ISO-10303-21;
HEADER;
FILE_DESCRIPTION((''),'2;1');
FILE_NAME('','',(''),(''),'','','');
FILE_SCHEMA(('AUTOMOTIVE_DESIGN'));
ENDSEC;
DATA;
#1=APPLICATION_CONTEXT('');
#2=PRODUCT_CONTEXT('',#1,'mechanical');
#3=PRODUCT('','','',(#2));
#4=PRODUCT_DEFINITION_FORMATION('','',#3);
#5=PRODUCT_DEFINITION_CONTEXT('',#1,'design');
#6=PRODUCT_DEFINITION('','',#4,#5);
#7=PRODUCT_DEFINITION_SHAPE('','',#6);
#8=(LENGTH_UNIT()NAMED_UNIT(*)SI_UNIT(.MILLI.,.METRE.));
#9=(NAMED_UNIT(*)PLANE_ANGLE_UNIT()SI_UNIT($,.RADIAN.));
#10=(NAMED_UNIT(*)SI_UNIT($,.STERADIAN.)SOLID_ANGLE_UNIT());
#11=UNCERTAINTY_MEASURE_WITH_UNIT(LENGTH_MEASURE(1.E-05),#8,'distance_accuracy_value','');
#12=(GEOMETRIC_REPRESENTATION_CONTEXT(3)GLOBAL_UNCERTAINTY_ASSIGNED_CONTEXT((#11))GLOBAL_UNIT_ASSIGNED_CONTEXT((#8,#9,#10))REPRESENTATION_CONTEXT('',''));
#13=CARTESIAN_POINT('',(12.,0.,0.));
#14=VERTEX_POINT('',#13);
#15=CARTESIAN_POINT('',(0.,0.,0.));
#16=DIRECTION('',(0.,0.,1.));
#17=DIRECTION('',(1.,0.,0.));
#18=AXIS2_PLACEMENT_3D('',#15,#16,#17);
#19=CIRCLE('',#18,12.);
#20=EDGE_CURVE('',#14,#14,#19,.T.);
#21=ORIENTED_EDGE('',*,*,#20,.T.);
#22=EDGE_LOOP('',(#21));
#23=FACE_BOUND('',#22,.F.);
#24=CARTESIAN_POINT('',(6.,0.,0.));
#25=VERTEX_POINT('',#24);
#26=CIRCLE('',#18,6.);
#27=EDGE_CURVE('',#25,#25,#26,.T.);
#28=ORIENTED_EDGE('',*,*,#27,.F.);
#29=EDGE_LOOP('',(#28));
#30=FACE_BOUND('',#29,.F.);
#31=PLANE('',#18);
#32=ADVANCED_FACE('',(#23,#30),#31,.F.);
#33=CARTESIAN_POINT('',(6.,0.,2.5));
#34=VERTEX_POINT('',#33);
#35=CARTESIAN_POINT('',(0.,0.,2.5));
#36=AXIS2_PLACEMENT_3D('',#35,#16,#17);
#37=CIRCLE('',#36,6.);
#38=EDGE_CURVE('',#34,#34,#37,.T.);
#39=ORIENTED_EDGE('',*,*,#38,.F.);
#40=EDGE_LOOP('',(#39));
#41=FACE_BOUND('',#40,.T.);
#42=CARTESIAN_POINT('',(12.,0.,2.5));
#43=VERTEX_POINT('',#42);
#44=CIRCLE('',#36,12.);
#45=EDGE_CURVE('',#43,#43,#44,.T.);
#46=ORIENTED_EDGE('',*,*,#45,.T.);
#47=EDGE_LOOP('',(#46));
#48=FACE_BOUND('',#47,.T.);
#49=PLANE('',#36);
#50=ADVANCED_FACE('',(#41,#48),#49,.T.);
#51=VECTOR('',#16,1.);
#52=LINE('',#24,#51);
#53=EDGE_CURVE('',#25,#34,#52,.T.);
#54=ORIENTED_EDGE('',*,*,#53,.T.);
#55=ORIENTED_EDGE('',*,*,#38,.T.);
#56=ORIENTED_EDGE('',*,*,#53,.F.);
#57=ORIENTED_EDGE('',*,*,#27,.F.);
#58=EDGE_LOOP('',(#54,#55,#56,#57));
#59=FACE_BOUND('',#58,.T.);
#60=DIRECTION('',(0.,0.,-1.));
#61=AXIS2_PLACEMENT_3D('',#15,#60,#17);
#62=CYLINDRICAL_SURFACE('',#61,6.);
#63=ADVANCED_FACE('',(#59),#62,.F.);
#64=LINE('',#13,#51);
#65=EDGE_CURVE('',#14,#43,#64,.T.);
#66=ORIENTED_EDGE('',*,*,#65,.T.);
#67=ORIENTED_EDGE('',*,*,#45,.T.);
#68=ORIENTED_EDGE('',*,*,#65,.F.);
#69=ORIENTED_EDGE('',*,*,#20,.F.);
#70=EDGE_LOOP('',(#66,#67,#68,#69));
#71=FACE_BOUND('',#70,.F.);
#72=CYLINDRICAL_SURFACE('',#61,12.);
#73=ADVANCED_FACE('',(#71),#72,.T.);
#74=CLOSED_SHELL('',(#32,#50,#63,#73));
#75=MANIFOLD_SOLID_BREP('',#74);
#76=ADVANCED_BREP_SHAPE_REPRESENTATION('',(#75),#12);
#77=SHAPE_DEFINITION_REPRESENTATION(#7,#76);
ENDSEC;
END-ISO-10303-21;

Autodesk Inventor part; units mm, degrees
ref_plane "YZ Plane" through (0, 0, 0) normal (1, 0, 0) x (0, 1, 0)
ref_plane "XZ Plane" through (0, 0, 0) normal (0, 1, 0) x (-1, 0, 0)
ref_plane "XY Plane" through (0, 0, 0) normal (0, 0, 1) x (1, 0, 0)
sketch "Sketch1" plane through (0, 0, 0) normal (0, 0, 1) x (1, 0, 0)
  circle A0 centre (0, 0) radius 6
  circle A1 centre (0, 0) radius 12
  dimension "d0" = 12
  dimension "d1" = 24
extrude "Extrusion1" add sketch "Sketch1" along normal blind 2.5
properties part number "washer1"
